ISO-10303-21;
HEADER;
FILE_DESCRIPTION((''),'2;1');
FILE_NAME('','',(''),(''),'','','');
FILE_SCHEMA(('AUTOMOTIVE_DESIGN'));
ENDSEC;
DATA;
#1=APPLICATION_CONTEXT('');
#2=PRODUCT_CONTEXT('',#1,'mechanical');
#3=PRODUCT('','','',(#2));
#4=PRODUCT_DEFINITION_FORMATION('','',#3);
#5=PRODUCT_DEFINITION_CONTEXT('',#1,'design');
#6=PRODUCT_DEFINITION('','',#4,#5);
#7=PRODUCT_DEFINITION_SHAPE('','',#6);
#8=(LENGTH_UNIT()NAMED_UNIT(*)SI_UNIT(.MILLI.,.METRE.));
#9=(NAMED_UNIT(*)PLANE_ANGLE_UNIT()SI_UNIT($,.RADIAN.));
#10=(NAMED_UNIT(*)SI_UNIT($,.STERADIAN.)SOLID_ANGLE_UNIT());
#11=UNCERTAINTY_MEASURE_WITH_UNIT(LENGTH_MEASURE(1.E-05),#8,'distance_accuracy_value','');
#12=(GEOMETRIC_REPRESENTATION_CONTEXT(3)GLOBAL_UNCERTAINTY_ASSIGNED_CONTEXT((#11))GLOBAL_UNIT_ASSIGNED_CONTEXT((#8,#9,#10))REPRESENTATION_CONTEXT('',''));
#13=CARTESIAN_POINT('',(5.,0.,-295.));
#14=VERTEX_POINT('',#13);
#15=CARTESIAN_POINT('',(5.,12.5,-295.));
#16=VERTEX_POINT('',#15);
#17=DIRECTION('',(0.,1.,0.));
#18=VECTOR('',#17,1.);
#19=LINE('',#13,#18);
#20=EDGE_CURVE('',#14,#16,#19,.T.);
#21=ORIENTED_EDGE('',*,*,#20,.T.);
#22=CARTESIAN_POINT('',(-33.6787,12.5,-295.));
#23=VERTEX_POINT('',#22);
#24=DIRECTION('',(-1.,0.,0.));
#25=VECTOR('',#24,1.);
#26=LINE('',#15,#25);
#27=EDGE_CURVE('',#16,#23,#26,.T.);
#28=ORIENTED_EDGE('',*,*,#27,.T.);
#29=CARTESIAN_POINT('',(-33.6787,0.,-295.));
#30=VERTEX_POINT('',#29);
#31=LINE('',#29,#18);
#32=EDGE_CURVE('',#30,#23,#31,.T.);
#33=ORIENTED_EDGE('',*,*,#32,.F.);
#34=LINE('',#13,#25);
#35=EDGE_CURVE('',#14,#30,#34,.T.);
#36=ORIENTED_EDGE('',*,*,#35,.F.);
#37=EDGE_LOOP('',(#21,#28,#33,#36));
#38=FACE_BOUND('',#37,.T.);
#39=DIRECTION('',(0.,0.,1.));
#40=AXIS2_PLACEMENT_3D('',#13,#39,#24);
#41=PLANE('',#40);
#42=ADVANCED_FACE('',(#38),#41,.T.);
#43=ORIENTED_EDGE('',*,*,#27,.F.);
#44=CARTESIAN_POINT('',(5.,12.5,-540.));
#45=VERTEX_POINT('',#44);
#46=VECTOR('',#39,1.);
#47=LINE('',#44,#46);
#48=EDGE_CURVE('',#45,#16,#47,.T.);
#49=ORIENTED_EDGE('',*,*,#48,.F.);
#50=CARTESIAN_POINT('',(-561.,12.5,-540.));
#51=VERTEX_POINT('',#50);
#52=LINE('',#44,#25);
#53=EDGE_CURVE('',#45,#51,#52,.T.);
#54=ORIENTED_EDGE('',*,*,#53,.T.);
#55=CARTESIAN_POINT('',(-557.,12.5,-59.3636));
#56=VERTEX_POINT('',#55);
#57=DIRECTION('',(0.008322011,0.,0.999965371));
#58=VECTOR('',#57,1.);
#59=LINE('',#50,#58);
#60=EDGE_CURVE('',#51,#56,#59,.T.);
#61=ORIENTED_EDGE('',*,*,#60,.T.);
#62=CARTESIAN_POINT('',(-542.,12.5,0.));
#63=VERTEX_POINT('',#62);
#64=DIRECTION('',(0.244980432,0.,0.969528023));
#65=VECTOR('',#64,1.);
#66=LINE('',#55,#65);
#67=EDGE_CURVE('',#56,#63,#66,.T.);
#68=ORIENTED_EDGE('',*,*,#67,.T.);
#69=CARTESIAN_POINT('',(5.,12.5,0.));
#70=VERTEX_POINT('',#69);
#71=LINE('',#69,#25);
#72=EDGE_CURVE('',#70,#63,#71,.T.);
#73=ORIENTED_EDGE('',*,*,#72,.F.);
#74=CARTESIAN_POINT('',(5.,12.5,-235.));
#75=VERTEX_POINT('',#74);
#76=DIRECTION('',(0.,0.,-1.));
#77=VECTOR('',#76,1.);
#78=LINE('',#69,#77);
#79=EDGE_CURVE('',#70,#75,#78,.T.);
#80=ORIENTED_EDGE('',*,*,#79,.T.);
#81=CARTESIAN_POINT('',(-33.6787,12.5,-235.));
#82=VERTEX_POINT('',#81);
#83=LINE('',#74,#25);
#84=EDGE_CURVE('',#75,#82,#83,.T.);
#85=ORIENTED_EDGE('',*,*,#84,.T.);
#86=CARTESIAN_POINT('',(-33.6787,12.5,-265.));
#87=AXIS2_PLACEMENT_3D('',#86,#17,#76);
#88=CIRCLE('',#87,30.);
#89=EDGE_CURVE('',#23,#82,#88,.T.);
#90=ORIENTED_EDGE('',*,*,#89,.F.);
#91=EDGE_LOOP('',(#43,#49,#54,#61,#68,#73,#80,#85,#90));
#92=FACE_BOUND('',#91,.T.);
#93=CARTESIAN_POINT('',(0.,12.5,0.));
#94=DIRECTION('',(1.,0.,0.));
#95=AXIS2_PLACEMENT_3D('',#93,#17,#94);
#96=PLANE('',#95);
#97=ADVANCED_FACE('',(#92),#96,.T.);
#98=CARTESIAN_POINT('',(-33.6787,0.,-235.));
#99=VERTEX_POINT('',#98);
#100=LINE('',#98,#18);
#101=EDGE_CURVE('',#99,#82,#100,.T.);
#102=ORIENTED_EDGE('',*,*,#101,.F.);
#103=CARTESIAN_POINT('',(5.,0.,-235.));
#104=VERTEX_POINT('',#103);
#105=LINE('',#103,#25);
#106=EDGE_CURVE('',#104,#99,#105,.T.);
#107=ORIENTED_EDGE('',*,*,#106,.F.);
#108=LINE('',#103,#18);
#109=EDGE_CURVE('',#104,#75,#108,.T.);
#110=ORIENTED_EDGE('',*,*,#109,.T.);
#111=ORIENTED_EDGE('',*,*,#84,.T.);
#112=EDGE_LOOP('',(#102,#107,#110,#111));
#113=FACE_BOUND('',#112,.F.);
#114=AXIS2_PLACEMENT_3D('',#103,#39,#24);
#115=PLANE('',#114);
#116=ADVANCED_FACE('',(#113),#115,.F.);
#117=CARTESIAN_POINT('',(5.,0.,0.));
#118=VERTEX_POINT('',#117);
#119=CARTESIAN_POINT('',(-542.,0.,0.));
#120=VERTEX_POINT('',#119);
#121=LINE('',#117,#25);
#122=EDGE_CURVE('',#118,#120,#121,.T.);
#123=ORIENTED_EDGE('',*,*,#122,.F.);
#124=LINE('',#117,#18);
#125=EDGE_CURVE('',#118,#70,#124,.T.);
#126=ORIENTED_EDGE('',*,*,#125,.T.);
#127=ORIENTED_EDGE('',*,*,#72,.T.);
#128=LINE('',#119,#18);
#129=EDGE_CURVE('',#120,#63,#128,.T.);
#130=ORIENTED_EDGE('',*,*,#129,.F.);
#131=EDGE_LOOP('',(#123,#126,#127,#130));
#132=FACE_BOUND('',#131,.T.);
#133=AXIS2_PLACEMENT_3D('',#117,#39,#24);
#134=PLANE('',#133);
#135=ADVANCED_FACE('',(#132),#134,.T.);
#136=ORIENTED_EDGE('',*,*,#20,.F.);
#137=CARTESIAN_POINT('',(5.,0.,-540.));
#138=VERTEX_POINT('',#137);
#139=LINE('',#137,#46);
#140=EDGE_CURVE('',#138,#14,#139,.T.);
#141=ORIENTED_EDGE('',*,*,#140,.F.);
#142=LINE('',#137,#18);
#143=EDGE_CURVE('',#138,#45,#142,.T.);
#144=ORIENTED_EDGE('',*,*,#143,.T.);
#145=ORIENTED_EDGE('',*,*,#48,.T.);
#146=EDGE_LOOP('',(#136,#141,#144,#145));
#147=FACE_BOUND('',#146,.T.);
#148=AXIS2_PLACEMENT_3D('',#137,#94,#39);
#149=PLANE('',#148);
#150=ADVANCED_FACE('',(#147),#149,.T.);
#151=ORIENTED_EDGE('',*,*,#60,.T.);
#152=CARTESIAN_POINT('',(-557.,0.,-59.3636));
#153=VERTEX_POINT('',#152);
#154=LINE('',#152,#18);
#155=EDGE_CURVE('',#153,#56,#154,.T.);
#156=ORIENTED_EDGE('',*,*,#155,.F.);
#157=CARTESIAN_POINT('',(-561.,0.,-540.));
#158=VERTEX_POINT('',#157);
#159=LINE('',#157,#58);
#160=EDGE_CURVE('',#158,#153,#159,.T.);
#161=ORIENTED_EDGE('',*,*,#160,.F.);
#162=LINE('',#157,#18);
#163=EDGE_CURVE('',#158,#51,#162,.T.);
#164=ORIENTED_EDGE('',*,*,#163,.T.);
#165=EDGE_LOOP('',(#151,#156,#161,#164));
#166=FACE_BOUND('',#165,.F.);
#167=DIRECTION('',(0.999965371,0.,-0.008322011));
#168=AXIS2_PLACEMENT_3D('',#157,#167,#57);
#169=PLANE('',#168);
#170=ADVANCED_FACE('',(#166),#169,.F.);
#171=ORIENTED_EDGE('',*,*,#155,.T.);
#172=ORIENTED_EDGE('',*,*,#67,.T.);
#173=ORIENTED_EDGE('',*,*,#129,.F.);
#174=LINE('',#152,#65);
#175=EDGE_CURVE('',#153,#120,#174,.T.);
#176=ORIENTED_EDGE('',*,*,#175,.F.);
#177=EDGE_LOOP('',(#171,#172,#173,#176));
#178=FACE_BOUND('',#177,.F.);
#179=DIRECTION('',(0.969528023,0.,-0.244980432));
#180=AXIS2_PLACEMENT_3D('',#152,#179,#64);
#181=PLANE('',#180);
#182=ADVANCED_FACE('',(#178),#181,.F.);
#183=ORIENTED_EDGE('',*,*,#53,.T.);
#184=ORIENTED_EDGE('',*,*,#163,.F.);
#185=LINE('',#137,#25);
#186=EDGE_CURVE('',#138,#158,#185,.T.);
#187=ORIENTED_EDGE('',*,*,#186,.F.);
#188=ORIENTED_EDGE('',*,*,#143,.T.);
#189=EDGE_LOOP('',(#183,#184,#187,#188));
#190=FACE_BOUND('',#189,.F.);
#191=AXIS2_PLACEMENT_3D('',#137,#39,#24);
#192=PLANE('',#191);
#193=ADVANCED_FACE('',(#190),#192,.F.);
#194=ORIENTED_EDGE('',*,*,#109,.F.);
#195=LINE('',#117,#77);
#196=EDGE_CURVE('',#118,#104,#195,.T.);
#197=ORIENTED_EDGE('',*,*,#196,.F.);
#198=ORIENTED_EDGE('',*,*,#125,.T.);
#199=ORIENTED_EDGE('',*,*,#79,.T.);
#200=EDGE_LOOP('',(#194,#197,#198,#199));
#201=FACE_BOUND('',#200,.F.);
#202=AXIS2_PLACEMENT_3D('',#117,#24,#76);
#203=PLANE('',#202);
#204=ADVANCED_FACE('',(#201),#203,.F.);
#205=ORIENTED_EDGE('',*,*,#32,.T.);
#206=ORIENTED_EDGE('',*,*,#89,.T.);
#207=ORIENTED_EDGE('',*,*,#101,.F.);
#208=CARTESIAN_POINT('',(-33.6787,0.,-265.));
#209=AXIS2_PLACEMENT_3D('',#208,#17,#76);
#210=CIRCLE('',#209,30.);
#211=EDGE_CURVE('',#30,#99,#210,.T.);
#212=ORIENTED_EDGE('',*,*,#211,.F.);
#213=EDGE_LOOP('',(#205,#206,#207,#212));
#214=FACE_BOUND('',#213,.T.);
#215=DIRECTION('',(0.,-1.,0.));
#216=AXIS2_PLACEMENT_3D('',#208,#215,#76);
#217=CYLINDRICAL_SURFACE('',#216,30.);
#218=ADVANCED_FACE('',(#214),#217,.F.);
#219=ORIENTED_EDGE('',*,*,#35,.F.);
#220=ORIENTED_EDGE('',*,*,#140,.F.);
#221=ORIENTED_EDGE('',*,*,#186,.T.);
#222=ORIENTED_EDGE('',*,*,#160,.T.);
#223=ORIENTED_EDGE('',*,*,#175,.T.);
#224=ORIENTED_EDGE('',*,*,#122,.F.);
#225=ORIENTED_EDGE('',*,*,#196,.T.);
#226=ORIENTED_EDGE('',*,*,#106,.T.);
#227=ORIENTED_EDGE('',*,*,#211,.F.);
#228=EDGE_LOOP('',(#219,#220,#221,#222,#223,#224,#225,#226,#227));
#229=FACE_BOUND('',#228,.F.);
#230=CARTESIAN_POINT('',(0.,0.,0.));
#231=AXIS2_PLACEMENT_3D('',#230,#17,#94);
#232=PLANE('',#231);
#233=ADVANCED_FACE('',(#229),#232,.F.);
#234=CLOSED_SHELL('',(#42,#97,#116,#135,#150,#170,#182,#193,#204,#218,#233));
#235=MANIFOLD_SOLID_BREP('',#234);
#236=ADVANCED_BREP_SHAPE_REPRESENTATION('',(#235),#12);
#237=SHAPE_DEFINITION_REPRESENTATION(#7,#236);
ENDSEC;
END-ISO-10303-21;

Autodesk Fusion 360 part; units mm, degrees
sketch "Sketch1" plane through (0, 0, 0) normal (0, 1, 0) x (1, 0, 0)
  line L0 (5, 0) -> (-542, 0)
  line L1 (5, 540) -> (-561, 540)
  line L2 (5, 540) -> (5, 295)
  line L3 (5, 540) -> (5, 295)
  line L4 (5, 295) -> (-33.6787, 295)
  line L5 (5, 235) -> (-33.6787, 235)
  line L6 (-557, 59.3636) -> (-542, 0)
  arc A0 (-33.6787, 295) -> (-33.6787, 235) centre (-33.6787, 265) ccw
  line L7 (5, 0) -> (5, 235)
  line L8 (5, 295) -> (5, 540)
  line L9 (-561, 540) -> (-557, 59.3636)
  dimension "d1" = 540
  dimension "d2" = 547
  dimension "d3" = 566
  dimension "d4" = 245
  dimension "d5" = 305
  dimension "d11" = 60
  dimension "d12" = 562
extrude "Extrude1" add sketch "Sketch1" along normal blind 12.5
equation "d3 = 562 mm + 4 mm"
